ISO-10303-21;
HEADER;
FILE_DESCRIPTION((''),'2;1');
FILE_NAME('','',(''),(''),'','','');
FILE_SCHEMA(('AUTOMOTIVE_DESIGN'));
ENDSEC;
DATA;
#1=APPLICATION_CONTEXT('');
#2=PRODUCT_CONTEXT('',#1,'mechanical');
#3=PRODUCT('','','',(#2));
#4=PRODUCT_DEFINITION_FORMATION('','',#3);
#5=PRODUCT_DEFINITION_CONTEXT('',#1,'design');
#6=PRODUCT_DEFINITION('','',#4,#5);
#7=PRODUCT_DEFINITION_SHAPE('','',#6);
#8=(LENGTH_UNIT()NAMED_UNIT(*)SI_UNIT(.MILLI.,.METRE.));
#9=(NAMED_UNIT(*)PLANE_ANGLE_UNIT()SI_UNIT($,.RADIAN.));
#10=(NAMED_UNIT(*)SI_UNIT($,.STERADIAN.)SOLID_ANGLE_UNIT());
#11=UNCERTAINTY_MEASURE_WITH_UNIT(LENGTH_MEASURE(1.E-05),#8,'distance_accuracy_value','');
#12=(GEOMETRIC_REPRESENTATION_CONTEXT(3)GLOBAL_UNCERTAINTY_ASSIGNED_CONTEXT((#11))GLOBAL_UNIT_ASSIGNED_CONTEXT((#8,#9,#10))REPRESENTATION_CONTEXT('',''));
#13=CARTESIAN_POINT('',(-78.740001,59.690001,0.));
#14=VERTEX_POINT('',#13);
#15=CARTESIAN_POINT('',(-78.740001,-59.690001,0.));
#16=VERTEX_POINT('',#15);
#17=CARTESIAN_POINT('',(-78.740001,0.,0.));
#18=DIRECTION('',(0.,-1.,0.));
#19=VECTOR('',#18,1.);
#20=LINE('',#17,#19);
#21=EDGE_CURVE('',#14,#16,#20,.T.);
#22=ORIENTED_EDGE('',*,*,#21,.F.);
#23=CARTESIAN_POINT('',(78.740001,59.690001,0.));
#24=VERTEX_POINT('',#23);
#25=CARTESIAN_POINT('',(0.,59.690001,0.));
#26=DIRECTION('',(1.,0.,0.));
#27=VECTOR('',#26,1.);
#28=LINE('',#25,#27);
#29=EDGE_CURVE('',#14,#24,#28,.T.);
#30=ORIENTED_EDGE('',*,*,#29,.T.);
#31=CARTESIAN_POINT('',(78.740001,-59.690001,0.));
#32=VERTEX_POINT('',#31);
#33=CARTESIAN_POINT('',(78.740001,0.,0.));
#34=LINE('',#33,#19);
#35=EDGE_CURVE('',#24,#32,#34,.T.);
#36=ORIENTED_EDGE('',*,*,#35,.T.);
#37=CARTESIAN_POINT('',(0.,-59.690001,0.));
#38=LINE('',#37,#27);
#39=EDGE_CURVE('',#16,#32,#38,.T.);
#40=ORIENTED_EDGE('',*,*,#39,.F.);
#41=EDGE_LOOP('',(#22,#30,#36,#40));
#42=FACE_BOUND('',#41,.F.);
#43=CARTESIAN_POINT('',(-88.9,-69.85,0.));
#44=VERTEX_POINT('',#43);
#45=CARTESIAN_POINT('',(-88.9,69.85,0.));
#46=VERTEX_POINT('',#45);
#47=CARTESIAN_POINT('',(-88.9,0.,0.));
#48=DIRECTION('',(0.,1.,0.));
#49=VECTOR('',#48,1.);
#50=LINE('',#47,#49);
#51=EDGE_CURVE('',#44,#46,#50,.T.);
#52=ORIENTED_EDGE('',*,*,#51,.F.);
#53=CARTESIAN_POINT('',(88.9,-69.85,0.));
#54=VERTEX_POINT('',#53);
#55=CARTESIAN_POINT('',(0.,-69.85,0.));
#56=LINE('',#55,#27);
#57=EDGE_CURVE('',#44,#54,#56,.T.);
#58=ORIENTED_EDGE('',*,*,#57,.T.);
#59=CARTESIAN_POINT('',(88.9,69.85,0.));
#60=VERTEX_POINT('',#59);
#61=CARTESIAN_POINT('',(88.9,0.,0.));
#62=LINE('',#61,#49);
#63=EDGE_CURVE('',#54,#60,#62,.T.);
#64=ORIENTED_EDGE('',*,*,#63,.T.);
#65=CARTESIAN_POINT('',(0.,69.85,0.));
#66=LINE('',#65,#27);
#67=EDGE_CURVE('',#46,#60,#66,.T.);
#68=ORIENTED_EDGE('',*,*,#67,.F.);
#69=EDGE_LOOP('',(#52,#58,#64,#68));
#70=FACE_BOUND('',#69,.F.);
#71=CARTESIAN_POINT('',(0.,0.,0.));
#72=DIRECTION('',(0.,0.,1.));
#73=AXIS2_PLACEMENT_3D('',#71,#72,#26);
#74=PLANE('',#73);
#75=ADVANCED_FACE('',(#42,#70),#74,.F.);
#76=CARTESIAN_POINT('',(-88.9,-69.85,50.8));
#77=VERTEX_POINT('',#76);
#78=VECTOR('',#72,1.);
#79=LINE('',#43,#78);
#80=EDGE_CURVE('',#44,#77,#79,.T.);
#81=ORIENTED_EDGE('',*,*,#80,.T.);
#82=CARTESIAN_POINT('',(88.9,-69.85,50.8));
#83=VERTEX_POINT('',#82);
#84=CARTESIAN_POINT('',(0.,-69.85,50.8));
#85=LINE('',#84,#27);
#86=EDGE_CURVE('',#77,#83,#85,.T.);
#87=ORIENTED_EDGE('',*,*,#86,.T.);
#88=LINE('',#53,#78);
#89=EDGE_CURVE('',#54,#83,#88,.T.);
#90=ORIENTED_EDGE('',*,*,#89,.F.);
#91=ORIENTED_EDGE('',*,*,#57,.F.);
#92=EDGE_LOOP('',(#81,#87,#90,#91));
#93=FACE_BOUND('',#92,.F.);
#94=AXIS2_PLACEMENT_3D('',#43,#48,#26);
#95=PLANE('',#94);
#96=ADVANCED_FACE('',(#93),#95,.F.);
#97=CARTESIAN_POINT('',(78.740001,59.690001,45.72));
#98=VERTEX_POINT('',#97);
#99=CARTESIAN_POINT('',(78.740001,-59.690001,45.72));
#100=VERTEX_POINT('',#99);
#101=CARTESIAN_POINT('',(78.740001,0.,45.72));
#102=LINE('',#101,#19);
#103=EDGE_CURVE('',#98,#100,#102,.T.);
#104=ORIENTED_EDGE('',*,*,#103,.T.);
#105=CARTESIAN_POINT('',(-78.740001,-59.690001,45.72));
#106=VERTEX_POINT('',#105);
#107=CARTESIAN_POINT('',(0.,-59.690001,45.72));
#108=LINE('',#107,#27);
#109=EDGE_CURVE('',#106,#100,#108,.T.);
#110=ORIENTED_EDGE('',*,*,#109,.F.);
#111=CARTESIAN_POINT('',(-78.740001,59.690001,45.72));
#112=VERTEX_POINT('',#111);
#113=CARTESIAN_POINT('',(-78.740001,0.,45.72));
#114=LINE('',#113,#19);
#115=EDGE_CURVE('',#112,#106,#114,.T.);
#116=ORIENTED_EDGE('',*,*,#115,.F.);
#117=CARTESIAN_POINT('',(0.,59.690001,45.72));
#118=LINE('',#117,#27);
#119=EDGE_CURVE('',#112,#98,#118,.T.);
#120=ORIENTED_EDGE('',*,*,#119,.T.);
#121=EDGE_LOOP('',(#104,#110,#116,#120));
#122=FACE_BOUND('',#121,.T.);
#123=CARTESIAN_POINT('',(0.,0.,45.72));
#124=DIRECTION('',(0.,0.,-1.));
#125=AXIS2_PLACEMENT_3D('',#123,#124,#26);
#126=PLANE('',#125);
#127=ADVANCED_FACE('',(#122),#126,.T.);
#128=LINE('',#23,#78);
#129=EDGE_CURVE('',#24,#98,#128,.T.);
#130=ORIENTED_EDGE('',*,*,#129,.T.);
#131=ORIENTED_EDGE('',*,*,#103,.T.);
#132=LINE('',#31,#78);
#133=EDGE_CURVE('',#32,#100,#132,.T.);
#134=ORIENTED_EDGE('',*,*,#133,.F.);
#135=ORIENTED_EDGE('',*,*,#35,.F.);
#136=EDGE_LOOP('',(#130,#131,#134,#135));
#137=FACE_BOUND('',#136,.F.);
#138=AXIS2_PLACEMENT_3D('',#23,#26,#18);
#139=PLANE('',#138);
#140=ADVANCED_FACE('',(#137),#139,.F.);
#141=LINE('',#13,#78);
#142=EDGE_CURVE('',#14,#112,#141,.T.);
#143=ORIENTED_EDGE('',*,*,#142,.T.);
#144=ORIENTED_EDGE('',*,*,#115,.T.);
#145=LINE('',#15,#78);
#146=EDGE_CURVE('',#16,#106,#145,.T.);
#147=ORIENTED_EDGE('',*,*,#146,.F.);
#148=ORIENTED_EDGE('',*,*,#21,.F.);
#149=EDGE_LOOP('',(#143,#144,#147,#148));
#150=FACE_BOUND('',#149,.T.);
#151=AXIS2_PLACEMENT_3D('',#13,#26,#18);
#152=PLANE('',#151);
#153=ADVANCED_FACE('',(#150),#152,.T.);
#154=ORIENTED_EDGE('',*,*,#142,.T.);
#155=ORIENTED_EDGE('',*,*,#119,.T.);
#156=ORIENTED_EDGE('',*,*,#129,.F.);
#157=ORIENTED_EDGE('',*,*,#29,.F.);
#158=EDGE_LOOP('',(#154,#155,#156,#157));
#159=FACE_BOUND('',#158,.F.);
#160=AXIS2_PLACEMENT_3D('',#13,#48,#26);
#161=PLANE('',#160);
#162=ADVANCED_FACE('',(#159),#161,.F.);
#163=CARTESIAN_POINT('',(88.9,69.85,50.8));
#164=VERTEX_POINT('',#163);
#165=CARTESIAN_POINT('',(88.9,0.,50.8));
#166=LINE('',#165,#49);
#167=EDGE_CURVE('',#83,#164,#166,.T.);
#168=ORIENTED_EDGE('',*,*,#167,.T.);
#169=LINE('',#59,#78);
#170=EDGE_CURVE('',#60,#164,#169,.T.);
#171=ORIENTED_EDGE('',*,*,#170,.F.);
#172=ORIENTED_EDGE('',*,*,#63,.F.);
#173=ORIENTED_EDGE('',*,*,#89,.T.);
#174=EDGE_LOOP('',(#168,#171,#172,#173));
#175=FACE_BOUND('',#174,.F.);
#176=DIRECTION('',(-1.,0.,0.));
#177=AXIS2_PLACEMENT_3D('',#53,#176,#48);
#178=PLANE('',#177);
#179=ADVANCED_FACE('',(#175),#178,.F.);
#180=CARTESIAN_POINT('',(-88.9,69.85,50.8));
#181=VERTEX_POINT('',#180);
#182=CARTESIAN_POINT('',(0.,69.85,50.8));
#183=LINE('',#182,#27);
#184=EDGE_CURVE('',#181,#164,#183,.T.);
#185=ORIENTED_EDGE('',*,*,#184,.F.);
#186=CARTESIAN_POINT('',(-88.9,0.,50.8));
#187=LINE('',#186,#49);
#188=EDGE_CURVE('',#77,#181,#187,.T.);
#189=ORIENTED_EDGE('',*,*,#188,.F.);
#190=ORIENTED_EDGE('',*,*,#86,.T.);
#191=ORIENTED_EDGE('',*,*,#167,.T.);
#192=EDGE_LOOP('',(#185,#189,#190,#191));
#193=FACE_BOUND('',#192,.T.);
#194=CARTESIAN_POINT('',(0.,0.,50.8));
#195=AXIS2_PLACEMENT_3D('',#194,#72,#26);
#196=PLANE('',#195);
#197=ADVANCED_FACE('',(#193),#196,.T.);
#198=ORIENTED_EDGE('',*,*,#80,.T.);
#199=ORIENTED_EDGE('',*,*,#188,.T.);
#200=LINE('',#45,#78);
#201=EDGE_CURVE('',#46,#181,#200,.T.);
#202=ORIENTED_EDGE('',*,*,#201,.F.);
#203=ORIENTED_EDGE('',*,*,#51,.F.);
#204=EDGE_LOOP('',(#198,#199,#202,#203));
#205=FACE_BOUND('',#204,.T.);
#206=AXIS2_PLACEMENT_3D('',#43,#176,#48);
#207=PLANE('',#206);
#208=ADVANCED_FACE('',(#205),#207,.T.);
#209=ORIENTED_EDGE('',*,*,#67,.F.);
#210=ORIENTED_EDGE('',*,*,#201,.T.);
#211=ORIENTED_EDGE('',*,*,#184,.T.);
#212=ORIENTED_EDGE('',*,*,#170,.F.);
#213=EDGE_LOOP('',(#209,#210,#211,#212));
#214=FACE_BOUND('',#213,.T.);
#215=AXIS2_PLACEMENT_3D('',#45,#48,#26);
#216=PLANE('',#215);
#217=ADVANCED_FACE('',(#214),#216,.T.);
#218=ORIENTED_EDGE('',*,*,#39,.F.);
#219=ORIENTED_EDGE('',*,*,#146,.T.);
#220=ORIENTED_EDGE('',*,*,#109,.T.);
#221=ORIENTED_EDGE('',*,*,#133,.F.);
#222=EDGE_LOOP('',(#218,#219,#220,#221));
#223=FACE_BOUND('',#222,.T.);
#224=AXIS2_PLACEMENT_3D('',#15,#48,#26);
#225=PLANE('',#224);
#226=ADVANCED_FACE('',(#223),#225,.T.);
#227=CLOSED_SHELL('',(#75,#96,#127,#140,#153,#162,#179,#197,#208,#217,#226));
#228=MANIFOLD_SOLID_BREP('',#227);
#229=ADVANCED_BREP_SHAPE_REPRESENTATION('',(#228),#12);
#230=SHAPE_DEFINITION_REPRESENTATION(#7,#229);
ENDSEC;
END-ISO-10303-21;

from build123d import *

# Parameters (mm, degrees)
F0_W     = 177.8
F0_H     = 139.7
F1_DEPTH = 50.8
F2_W     = 157.480002
F2_H     = 119.380002
F3_DEPTH = 45.72


with BuildPart() as f1:
    # F0 (on Top) → F1 (new body)
    with BuildSketch(Plane.XY):
        Rectangle(F0_W, F0_H)
    extrude(amount=F1_DEPTH)

    # F2 (on face) → F3 (cut)
    with BuildSketch(Plane(origin=(0, 0, 0), x_dir=(1, 0, 0), z_dir=(0, 0, -1))):
        Rectangle(F2_W, F2_H)
    extrude(amount=-F3_DEPTH, mode=Mode.SUBTRACT)


solid = f1.part
